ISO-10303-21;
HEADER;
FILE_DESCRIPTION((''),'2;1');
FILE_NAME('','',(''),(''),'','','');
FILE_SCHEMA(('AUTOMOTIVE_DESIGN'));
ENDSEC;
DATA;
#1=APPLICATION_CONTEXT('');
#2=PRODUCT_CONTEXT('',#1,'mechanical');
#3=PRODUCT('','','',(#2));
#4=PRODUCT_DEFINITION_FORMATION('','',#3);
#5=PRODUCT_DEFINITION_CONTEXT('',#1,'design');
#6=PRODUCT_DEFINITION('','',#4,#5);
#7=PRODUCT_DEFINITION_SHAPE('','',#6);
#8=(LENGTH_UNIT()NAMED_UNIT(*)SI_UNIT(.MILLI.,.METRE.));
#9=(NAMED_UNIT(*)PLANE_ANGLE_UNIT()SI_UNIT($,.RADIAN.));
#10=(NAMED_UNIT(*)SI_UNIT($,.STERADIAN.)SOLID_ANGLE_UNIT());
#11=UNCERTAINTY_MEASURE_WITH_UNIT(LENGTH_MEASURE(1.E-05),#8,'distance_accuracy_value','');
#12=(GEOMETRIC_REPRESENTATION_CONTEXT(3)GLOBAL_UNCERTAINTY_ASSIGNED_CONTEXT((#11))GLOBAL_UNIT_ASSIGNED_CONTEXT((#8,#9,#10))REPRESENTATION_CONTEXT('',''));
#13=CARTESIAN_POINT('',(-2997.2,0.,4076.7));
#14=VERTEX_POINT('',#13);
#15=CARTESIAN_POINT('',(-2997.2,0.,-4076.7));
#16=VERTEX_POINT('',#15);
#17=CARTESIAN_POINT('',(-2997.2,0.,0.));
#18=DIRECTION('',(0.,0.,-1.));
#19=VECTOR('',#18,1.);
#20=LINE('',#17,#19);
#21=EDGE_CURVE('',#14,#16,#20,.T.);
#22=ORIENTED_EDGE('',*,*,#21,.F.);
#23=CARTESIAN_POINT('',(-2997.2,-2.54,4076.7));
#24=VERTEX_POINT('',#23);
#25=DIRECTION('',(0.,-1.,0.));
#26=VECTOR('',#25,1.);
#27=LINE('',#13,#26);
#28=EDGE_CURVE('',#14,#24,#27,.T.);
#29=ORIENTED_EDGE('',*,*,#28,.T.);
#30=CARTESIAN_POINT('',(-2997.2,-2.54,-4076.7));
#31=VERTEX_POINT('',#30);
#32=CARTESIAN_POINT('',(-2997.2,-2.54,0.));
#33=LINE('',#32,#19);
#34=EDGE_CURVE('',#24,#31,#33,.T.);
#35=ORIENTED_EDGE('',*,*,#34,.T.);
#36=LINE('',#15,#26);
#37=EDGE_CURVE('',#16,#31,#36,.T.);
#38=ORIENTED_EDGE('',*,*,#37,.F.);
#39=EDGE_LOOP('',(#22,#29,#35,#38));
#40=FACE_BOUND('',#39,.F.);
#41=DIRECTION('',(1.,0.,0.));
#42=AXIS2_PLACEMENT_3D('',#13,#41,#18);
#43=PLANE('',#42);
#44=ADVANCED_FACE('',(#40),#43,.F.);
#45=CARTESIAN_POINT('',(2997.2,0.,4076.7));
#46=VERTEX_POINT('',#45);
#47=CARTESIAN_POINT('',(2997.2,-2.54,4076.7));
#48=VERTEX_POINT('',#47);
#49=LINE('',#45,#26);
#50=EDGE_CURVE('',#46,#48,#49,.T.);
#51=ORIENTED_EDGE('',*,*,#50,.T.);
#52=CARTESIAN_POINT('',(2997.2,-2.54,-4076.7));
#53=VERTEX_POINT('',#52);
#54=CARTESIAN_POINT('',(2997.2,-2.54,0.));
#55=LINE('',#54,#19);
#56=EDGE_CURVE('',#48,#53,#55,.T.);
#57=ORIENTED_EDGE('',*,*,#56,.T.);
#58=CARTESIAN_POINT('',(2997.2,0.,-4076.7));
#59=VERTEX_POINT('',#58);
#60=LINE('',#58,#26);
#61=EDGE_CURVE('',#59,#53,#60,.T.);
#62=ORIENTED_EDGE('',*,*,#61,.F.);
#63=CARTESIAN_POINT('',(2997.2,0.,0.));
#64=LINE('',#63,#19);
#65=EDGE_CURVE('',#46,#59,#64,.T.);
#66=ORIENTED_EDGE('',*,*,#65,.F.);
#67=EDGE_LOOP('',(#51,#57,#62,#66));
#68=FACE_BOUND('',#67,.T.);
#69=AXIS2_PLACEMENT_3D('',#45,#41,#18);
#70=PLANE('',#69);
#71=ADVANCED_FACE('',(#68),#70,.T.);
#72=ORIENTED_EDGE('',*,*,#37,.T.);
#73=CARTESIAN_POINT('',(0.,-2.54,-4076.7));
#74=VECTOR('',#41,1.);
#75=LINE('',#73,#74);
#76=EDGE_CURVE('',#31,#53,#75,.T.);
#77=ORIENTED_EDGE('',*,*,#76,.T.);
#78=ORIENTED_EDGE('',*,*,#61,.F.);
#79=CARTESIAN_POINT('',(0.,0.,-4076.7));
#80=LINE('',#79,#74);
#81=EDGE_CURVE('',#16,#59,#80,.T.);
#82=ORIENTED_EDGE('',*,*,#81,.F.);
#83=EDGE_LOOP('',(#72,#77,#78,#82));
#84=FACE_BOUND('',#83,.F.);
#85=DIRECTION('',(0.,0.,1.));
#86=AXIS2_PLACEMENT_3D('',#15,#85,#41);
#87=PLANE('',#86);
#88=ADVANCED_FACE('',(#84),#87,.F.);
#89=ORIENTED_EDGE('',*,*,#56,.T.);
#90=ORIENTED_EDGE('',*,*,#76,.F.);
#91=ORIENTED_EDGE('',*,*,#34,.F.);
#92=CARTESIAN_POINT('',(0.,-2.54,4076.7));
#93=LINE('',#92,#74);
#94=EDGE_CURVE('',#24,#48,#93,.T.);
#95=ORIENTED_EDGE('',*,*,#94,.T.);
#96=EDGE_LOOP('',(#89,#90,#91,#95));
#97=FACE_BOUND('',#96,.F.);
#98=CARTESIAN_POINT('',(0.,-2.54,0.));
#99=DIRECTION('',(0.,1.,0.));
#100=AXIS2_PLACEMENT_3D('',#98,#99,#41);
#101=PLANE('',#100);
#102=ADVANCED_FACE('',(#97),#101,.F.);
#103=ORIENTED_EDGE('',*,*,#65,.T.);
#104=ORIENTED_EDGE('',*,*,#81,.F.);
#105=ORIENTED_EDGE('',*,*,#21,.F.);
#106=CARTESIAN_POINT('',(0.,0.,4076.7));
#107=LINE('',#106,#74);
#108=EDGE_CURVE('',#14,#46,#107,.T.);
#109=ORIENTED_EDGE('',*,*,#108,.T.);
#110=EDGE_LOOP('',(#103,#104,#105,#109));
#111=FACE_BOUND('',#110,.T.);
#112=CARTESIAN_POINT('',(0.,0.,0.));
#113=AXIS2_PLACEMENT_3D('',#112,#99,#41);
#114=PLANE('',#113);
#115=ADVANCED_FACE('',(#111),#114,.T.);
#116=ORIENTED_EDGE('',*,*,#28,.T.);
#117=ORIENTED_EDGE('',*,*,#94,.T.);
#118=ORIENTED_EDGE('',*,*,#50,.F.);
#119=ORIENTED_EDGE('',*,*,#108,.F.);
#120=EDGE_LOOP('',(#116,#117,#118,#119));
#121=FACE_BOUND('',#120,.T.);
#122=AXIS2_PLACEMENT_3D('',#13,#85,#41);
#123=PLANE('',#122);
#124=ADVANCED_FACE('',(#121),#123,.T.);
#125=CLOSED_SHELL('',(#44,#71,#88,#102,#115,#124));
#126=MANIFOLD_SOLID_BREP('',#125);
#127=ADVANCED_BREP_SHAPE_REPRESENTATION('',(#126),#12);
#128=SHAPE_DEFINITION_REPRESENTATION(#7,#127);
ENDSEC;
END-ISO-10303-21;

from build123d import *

# Parameters (mm, degrees)
SKETCH1_W           = 5994.4
SKETCH1_H           = 8153.4
BOSS_EXTRUDE1_DEPTH = 2.54


with BuildPart() as part:
    # Sketch1 → Boss-Extrude1 (new body)
    with BuildSketch(Plane(origin=(0, 0, 0), x_dir=(1, 0, 0), z_dir=(0, 1, 0))):
        Rectangle(SKETCH1_W, SKETCH1_H)
    extrude(amount=-BOSS_EXTRUDE1_DEPTH)


solid = part.part
